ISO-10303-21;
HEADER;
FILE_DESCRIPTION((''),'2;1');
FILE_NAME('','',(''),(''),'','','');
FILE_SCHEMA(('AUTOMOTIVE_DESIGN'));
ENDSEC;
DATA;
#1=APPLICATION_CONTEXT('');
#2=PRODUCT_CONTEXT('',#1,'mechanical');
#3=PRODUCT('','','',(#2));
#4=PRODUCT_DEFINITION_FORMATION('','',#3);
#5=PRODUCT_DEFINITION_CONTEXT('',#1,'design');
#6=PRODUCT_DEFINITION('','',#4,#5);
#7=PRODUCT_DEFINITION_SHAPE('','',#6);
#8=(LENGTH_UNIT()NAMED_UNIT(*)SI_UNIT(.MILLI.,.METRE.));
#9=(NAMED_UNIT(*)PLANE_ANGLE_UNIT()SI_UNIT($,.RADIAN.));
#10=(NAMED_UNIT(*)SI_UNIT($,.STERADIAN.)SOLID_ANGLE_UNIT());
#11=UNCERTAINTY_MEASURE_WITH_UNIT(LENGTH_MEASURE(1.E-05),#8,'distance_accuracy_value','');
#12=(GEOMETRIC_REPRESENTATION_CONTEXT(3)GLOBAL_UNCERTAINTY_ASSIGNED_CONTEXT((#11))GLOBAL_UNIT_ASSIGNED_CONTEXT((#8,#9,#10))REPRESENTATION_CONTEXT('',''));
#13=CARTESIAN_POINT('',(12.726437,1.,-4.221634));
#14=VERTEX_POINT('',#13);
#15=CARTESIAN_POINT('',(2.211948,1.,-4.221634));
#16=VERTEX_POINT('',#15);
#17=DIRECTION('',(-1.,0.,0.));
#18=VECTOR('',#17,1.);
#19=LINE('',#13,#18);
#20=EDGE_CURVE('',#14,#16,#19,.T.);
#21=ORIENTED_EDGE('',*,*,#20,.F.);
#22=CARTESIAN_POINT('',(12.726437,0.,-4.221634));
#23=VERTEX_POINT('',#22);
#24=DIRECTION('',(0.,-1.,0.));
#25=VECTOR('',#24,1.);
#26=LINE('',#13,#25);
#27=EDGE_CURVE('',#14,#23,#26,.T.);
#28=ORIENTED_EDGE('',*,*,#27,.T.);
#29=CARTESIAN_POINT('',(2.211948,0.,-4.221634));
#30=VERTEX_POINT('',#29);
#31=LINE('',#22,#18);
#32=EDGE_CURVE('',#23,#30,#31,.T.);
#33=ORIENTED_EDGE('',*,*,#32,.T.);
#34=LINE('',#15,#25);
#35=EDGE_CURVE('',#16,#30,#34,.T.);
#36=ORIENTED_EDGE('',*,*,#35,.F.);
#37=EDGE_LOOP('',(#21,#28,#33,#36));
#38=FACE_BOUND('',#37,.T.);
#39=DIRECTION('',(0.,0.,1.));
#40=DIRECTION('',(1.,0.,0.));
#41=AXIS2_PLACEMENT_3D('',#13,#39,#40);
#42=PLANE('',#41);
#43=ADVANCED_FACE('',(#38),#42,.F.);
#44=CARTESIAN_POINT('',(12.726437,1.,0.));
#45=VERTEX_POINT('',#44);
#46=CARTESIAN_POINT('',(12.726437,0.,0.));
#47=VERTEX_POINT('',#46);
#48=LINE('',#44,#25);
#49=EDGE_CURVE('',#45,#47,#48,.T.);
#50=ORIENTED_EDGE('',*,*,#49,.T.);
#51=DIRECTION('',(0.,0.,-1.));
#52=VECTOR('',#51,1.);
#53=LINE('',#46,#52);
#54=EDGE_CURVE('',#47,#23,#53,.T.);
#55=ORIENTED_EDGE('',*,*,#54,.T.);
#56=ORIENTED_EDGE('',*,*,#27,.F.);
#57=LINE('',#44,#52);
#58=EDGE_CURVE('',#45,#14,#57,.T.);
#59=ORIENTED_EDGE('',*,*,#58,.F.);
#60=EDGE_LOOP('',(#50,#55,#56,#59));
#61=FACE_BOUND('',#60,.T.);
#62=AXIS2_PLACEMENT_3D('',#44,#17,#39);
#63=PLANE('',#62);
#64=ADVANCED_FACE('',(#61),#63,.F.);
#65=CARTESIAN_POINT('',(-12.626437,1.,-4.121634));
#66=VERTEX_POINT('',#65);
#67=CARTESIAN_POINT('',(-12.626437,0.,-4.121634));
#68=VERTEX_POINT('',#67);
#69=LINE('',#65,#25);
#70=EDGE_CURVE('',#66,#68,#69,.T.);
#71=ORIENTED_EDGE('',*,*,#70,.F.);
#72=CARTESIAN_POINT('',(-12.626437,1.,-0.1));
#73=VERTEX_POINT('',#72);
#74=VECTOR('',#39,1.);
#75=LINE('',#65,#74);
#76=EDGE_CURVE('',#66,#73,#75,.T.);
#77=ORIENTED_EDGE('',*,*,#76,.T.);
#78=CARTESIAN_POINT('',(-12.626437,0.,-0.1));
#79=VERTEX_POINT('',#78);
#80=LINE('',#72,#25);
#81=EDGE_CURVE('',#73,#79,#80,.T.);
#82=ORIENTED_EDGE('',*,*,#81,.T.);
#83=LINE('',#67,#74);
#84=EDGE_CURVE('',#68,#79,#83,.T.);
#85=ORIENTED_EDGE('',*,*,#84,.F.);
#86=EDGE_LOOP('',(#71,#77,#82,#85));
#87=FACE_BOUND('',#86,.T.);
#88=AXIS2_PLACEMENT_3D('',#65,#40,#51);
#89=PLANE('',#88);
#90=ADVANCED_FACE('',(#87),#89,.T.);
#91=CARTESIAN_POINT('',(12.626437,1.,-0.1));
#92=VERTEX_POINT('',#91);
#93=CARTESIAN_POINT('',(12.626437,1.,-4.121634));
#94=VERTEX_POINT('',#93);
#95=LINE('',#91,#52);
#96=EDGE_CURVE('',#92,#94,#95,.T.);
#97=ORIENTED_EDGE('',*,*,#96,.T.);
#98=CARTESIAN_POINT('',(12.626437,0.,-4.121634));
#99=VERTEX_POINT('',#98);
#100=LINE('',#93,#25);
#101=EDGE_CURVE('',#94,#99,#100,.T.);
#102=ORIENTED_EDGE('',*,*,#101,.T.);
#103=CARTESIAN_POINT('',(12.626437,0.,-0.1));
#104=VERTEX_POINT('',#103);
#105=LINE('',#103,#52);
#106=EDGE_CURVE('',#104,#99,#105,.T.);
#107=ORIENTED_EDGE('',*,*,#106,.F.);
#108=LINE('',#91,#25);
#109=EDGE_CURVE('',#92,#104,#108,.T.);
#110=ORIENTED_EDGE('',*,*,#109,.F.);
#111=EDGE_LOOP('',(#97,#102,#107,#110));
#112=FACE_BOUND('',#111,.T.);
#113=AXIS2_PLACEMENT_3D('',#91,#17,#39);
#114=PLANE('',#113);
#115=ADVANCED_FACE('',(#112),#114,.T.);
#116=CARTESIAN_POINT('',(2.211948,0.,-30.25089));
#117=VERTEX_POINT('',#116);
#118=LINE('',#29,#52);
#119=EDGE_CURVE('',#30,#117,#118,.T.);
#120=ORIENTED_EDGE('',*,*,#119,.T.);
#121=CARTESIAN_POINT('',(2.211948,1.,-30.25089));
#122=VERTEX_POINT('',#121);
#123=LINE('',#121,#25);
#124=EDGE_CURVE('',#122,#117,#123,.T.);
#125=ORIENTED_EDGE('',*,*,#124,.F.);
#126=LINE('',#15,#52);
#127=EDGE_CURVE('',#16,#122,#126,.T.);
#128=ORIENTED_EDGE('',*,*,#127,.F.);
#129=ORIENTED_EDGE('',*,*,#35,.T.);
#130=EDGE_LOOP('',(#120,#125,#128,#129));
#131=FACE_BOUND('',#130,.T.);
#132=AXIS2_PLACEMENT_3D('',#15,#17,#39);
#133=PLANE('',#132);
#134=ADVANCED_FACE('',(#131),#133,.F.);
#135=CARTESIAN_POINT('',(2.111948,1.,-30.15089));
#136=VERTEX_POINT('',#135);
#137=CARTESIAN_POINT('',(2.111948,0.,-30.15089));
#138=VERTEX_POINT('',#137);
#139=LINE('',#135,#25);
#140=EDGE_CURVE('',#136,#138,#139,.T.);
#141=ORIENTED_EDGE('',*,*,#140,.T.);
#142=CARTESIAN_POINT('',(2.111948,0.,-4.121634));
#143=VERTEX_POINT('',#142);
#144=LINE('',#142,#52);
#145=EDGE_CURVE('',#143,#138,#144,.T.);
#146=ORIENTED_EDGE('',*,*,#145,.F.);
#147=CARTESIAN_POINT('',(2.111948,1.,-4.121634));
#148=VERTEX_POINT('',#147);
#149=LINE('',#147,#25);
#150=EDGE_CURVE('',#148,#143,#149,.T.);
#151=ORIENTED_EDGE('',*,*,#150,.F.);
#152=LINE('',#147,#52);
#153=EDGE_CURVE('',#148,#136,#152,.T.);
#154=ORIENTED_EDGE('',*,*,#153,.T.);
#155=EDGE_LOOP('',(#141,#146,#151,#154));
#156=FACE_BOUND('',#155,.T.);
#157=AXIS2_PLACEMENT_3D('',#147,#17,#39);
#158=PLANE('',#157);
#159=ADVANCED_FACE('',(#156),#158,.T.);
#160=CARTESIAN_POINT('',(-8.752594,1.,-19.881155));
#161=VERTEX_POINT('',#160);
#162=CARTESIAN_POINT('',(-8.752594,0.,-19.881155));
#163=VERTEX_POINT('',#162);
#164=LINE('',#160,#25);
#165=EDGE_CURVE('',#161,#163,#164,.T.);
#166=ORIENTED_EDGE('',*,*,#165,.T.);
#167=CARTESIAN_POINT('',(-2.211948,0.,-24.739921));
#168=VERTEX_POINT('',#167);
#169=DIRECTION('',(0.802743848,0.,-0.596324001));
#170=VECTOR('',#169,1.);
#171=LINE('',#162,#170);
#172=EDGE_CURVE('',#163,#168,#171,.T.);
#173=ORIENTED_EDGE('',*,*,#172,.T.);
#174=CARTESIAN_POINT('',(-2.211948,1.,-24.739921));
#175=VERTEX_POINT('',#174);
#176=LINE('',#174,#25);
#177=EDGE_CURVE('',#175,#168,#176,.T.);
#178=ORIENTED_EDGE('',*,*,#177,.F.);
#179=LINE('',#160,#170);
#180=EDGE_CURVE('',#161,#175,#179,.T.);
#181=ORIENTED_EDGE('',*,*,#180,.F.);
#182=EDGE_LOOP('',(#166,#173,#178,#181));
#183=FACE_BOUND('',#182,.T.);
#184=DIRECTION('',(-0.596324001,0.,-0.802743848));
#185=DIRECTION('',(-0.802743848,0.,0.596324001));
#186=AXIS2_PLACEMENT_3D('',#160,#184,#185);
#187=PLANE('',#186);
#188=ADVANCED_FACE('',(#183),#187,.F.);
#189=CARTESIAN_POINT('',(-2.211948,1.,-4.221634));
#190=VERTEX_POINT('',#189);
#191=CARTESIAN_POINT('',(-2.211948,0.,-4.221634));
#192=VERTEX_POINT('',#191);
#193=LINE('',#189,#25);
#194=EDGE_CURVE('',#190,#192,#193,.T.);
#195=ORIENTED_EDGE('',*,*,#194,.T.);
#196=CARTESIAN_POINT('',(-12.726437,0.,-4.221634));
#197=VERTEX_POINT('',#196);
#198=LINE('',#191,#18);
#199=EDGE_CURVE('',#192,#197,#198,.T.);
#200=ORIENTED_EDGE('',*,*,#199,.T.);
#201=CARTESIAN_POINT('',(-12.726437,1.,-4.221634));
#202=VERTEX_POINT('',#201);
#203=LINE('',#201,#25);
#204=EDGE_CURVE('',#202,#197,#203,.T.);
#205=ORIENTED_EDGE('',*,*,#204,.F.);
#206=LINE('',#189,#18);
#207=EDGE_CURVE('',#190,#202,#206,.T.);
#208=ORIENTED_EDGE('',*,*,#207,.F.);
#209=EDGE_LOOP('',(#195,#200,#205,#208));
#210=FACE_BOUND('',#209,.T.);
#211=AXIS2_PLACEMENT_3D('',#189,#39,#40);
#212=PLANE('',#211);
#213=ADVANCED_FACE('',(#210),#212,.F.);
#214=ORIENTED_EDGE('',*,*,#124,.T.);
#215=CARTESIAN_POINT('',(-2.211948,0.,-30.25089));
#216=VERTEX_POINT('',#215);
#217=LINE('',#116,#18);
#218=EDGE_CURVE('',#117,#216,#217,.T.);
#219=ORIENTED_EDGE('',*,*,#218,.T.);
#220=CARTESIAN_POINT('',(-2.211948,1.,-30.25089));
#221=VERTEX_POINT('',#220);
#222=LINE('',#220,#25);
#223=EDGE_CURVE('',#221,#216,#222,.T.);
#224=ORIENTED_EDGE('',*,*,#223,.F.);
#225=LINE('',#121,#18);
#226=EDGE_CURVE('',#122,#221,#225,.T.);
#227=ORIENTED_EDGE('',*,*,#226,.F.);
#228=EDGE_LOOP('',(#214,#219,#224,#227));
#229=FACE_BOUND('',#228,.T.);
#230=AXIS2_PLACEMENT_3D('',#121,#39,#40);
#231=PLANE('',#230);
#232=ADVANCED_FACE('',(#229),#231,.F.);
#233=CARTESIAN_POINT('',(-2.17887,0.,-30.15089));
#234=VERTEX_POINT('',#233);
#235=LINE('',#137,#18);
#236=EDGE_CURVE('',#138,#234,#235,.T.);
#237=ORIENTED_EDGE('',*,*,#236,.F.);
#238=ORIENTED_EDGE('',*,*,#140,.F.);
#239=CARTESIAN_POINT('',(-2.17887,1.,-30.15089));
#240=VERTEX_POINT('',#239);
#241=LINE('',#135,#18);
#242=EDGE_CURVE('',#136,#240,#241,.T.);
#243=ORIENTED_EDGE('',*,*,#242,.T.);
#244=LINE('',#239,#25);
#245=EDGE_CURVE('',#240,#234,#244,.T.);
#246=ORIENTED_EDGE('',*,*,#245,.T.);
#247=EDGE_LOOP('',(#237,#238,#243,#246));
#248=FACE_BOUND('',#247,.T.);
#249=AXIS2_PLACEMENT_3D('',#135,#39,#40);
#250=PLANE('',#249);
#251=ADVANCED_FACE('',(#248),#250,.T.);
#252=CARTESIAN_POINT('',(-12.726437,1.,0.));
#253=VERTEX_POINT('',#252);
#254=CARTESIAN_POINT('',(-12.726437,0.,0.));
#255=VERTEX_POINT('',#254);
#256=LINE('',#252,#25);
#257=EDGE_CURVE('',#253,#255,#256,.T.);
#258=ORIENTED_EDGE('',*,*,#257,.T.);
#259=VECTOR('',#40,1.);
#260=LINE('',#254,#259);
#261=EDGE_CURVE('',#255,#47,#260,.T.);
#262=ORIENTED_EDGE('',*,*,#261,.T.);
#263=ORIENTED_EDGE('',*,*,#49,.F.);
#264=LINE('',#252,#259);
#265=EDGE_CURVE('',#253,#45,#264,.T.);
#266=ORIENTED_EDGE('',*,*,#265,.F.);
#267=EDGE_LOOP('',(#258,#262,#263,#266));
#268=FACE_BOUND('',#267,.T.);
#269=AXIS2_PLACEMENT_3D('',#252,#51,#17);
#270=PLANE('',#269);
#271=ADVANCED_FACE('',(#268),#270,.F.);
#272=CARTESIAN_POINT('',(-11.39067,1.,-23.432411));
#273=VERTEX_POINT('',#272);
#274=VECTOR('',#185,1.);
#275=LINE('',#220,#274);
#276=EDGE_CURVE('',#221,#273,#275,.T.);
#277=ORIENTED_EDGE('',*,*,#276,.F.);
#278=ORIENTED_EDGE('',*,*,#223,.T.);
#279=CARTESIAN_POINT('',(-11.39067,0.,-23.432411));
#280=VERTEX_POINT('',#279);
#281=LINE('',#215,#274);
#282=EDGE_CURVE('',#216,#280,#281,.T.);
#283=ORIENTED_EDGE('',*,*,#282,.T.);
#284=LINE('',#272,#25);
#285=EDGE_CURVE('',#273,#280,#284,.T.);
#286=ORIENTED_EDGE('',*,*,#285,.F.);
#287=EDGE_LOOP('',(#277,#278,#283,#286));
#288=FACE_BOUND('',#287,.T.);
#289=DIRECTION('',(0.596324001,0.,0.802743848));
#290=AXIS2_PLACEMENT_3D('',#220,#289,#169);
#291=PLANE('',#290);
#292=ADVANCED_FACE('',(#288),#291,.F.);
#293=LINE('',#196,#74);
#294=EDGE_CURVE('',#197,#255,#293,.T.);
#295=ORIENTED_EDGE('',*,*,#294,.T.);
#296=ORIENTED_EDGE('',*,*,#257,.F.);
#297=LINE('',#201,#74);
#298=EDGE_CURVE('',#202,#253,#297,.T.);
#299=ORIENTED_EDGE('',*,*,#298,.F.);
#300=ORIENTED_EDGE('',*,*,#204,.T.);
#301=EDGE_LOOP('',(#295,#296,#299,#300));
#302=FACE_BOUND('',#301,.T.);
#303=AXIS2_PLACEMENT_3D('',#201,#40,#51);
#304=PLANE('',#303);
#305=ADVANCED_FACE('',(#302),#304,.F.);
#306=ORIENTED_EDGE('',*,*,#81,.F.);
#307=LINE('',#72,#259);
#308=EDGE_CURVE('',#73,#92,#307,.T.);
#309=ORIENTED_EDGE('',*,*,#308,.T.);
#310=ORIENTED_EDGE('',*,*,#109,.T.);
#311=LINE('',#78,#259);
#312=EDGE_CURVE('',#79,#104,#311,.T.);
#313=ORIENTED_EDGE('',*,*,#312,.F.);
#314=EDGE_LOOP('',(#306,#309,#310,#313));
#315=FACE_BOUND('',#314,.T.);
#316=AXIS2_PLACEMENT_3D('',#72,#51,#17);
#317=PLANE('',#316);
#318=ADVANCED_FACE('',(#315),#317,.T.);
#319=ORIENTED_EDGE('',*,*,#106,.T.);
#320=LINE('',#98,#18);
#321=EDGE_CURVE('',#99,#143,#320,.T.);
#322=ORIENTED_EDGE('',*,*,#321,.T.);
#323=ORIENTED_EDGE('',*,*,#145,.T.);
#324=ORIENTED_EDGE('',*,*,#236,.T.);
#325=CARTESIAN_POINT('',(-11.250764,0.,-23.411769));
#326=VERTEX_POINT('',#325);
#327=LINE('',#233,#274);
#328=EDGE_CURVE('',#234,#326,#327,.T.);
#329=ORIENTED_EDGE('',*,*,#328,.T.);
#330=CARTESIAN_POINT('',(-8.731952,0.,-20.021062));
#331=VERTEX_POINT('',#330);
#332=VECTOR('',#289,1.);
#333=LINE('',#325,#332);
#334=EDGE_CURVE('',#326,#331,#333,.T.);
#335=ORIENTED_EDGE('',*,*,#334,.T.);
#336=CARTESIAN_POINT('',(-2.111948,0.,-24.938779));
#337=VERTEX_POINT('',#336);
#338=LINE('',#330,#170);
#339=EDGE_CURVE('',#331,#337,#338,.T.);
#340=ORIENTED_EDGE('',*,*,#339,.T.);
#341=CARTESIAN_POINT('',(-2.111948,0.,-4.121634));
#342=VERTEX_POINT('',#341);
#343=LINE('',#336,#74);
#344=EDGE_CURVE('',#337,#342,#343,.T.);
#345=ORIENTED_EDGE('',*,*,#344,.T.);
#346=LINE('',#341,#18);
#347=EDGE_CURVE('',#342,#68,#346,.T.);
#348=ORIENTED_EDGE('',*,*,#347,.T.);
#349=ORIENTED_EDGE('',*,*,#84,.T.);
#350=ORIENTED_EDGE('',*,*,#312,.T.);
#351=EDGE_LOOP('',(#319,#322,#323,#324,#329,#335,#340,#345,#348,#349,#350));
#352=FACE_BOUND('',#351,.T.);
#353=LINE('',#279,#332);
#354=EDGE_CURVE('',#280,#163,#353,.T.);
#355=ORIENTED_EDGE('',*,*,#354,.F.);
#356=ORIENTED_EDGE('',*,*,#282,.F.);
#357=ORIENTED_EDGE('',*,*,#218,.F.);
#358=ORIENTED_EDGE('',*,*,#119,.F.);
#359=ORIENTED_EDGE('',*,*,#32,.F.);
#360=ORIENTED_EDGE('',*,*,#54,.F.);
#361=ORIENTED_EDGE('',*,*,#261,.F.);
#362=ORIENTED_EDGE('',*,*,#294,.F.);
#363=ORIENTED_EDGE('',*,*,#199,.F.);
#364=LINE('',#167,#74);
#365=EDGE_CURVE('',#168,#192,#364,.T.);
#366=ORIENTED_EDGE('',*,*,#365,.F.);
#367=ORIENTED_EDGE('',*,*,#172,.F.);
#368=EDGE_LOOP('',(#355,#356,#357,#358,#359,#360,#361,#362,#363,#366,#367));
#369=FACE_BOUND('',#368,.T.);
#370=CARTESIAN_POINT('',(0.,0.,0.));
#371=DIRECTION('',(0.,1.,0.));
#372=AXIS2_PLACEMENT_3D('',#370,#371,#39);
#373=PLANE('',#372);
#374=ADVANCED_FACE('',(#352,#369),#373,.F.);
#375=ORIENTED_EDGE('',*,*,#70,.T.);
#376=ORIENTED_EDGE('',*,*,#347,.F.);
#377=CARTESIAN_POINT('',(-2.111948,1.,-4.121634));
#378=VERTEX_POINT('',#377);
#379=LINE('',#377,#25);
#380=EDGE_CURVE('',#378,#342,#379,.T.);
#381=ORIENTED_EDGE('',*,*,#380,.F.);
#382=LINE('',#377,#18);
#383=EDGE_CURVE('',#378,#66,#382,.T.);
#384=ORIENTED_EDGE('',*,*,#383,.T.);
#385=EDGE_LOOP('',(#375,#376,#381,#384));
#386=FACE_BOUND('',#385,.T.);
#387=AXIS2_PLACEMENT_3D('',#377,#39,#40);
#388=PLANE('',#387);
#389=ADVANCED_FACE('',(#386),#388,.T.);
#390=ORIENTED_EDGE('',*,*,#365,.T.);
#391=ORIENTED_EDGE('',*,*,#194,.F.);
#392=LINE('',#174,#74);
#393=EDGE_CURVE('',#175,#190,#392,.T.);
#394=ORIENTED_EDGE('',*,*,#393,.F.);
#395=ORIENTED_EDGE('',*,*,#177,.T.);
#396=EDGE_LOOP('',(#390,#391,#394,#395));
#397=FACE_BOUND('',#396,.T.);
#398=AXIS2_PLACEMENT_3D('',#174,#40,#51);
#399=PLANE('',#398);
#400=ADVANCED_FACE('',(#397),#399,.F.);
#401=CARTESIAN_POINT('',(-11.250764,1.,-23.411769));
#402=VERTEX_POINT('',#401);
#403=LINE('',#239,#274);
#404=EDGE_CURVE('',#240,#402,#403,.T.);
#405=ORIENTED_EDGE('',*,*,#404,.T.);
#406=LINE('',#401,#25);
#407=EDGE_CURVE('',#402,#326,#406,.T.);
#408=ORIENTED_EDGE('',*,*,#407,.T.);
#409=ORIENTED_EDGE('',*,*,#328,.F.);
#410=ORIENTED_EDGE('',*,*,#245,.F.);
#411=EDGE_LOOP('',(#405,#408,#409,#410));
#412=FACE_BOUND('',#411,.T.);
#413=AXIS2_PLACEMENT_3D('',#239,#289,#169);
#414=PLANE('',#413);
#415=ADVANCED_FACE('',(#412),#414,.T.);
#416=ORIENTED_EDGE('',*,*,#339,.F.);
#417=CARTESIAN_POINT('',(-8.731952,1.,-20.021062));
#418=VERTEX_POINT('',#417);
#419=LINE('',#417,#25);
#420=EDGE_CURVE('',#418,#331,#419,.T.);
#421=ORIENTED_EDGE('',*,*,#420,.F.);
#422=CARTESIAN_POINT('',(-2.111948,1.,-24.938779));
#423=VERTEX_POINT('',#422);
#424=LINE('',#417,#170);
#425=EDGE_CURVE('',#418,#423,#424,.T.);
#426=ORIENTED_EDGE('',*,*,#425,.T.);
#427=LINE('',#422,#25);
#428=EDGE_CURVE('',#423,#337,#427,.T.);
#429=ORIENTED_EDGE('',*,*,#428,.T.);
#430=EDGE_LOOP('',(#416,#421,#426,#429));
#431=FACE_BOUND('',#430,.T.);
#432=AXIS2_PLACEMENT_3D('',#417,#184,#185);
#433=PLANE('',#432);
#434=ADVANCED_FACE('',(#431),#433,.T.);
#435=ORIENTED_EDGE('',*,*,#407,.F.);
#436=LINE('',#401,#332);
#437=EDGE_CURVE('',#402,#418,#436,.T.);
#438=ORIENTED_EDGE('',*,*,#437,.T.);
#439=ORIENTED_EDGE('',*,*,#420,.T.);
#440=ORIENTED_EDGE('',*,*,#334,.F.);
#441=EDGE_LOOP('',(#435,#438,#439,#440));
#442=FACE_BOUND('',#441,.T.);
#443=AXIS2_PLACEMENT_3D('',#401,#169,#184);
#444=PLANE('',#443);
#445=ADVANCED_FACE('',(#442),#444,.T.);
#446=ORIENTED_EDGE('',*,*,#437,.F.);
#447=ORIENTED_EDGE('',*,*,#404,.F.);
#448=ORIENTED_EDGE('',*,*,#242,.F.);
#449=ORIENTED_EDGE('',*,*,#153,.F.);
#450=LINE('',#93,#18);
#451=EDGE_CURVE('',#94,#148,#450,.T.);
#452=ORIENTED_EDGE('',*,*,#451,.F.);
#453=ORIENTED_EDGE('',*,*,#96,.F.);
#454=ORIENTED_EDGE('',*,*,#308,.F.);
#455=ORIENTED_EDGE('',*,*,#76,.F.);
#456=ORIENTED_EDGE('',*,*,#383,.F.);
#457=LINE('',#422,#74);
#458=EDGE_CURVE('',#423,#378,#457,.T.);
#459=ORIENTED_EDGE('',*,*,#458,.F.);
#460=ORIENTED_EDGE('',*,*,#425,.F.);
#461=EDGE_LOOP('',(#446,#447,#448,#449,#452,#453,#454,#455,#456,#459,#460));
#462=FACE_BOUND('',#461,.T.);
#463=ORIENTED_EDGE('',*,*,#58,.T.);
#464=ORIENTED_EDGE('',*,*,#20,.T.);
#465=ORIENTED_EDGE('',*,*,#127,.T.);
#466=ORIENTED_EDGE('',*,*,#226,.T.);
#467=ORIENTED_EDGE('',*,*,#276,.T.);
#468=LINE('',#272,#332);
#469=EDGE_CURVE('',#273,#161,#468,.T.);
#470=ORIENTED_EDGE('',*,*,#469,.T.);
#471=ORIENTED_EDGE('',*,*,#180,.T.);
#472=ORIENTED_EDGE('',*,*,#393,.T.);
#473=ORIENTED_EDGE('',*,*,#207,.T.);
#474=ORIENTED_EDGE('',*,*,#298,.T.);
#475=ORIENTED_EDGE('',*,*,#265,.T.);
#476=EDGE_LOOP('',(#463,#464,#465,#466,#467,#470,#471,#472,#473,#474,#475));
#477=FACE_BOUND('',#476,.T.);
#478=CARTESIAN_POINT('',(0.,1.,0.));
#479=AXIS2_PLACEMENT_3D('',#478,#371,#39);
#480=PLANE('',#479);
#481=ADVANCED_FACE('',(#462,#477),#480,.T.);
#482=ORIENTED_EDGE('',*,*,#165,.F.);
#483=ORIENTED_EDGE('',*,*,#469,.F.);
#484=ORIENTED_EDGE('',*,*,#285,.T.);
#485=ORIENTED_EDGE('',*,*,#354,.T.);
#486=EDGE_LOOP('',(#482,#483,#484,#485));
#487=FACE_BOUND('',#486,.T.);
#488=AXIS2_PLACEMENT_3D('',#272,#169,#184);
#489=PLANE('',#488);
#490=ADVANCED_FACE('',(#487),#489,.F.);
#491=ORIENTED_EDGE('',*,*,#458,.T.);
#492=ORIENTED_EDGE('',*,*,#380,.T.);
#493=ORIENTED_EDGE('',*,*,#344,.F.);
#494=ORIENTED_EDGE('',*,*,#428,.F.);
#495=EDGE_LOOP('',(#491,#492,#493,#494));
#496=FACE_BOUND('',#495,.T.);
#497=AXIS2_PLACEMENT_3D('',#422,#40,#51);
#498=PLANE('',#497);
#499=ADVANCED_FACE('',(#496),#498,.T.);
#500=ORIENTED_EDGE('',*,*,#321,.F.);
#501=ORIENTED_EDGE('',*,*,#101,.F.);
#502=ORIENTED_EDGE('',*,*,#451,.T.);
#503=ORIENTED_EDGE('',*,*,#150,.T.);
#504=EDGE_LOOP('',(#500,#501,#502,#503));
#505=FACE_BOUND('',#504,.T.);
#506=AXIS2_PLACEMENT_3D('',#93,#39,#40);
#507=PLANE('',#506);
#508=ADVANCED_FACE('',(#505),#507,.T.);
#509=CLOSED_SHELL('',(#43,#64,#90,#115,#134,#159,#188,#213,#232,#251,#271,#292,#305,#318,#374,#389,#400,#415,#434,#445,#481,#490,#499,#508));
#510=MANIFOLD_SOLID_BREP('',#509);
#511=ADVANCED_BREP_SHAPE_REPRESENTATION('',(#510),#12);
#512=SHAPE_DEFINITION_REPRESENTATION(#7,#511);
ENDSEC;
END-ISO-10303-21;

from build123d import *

# Parameters (mm, degrees)
BOSS_EXTRUDE1_DEPTH = 1


with BuildPart() as part:
    # Sketch1 → Boss-Extrude1 (new body)
    with BuildSketch(Plane(origin=(0, 0, 0), x_dir=(1, 0, 0), z_dir=(0, 1, 0))):
        Polygon((-12.726436998, 0), (12.726436998, 0), (12.726436998, 4.221634294), (2.211948406, 4.221634294), (2.211948406, 30.250890115), (-2.211948406, 30.250890115), (-11.390670326, 23.432410974), (-8.752594478, 19.881155024), (-2.211948406, 24.739920677), (-2.211948406, 4.221634294), (-12.726436998, 4.221634294), align=None)
        Polygon((-2.178869719, 30.150890115), (-11.250763541, 23.411768989), (-8.731952493, 20.021061809), (-2.111948406, 24.938779131), (-2.111948406, 4.121634294), (-12.626436998, 4.121634294), (-12.626436998, 0.1), (12.626436998, 0.1), (12.626436998, 4.121634294), (2.111948406, 4.121634294), (2.111948406, 30.150890115), align=None, mode=Mode.SUBTRACT)
    extrude(amount=BOSS_EXTRUDE1_DEPTH)


solid = part.part
